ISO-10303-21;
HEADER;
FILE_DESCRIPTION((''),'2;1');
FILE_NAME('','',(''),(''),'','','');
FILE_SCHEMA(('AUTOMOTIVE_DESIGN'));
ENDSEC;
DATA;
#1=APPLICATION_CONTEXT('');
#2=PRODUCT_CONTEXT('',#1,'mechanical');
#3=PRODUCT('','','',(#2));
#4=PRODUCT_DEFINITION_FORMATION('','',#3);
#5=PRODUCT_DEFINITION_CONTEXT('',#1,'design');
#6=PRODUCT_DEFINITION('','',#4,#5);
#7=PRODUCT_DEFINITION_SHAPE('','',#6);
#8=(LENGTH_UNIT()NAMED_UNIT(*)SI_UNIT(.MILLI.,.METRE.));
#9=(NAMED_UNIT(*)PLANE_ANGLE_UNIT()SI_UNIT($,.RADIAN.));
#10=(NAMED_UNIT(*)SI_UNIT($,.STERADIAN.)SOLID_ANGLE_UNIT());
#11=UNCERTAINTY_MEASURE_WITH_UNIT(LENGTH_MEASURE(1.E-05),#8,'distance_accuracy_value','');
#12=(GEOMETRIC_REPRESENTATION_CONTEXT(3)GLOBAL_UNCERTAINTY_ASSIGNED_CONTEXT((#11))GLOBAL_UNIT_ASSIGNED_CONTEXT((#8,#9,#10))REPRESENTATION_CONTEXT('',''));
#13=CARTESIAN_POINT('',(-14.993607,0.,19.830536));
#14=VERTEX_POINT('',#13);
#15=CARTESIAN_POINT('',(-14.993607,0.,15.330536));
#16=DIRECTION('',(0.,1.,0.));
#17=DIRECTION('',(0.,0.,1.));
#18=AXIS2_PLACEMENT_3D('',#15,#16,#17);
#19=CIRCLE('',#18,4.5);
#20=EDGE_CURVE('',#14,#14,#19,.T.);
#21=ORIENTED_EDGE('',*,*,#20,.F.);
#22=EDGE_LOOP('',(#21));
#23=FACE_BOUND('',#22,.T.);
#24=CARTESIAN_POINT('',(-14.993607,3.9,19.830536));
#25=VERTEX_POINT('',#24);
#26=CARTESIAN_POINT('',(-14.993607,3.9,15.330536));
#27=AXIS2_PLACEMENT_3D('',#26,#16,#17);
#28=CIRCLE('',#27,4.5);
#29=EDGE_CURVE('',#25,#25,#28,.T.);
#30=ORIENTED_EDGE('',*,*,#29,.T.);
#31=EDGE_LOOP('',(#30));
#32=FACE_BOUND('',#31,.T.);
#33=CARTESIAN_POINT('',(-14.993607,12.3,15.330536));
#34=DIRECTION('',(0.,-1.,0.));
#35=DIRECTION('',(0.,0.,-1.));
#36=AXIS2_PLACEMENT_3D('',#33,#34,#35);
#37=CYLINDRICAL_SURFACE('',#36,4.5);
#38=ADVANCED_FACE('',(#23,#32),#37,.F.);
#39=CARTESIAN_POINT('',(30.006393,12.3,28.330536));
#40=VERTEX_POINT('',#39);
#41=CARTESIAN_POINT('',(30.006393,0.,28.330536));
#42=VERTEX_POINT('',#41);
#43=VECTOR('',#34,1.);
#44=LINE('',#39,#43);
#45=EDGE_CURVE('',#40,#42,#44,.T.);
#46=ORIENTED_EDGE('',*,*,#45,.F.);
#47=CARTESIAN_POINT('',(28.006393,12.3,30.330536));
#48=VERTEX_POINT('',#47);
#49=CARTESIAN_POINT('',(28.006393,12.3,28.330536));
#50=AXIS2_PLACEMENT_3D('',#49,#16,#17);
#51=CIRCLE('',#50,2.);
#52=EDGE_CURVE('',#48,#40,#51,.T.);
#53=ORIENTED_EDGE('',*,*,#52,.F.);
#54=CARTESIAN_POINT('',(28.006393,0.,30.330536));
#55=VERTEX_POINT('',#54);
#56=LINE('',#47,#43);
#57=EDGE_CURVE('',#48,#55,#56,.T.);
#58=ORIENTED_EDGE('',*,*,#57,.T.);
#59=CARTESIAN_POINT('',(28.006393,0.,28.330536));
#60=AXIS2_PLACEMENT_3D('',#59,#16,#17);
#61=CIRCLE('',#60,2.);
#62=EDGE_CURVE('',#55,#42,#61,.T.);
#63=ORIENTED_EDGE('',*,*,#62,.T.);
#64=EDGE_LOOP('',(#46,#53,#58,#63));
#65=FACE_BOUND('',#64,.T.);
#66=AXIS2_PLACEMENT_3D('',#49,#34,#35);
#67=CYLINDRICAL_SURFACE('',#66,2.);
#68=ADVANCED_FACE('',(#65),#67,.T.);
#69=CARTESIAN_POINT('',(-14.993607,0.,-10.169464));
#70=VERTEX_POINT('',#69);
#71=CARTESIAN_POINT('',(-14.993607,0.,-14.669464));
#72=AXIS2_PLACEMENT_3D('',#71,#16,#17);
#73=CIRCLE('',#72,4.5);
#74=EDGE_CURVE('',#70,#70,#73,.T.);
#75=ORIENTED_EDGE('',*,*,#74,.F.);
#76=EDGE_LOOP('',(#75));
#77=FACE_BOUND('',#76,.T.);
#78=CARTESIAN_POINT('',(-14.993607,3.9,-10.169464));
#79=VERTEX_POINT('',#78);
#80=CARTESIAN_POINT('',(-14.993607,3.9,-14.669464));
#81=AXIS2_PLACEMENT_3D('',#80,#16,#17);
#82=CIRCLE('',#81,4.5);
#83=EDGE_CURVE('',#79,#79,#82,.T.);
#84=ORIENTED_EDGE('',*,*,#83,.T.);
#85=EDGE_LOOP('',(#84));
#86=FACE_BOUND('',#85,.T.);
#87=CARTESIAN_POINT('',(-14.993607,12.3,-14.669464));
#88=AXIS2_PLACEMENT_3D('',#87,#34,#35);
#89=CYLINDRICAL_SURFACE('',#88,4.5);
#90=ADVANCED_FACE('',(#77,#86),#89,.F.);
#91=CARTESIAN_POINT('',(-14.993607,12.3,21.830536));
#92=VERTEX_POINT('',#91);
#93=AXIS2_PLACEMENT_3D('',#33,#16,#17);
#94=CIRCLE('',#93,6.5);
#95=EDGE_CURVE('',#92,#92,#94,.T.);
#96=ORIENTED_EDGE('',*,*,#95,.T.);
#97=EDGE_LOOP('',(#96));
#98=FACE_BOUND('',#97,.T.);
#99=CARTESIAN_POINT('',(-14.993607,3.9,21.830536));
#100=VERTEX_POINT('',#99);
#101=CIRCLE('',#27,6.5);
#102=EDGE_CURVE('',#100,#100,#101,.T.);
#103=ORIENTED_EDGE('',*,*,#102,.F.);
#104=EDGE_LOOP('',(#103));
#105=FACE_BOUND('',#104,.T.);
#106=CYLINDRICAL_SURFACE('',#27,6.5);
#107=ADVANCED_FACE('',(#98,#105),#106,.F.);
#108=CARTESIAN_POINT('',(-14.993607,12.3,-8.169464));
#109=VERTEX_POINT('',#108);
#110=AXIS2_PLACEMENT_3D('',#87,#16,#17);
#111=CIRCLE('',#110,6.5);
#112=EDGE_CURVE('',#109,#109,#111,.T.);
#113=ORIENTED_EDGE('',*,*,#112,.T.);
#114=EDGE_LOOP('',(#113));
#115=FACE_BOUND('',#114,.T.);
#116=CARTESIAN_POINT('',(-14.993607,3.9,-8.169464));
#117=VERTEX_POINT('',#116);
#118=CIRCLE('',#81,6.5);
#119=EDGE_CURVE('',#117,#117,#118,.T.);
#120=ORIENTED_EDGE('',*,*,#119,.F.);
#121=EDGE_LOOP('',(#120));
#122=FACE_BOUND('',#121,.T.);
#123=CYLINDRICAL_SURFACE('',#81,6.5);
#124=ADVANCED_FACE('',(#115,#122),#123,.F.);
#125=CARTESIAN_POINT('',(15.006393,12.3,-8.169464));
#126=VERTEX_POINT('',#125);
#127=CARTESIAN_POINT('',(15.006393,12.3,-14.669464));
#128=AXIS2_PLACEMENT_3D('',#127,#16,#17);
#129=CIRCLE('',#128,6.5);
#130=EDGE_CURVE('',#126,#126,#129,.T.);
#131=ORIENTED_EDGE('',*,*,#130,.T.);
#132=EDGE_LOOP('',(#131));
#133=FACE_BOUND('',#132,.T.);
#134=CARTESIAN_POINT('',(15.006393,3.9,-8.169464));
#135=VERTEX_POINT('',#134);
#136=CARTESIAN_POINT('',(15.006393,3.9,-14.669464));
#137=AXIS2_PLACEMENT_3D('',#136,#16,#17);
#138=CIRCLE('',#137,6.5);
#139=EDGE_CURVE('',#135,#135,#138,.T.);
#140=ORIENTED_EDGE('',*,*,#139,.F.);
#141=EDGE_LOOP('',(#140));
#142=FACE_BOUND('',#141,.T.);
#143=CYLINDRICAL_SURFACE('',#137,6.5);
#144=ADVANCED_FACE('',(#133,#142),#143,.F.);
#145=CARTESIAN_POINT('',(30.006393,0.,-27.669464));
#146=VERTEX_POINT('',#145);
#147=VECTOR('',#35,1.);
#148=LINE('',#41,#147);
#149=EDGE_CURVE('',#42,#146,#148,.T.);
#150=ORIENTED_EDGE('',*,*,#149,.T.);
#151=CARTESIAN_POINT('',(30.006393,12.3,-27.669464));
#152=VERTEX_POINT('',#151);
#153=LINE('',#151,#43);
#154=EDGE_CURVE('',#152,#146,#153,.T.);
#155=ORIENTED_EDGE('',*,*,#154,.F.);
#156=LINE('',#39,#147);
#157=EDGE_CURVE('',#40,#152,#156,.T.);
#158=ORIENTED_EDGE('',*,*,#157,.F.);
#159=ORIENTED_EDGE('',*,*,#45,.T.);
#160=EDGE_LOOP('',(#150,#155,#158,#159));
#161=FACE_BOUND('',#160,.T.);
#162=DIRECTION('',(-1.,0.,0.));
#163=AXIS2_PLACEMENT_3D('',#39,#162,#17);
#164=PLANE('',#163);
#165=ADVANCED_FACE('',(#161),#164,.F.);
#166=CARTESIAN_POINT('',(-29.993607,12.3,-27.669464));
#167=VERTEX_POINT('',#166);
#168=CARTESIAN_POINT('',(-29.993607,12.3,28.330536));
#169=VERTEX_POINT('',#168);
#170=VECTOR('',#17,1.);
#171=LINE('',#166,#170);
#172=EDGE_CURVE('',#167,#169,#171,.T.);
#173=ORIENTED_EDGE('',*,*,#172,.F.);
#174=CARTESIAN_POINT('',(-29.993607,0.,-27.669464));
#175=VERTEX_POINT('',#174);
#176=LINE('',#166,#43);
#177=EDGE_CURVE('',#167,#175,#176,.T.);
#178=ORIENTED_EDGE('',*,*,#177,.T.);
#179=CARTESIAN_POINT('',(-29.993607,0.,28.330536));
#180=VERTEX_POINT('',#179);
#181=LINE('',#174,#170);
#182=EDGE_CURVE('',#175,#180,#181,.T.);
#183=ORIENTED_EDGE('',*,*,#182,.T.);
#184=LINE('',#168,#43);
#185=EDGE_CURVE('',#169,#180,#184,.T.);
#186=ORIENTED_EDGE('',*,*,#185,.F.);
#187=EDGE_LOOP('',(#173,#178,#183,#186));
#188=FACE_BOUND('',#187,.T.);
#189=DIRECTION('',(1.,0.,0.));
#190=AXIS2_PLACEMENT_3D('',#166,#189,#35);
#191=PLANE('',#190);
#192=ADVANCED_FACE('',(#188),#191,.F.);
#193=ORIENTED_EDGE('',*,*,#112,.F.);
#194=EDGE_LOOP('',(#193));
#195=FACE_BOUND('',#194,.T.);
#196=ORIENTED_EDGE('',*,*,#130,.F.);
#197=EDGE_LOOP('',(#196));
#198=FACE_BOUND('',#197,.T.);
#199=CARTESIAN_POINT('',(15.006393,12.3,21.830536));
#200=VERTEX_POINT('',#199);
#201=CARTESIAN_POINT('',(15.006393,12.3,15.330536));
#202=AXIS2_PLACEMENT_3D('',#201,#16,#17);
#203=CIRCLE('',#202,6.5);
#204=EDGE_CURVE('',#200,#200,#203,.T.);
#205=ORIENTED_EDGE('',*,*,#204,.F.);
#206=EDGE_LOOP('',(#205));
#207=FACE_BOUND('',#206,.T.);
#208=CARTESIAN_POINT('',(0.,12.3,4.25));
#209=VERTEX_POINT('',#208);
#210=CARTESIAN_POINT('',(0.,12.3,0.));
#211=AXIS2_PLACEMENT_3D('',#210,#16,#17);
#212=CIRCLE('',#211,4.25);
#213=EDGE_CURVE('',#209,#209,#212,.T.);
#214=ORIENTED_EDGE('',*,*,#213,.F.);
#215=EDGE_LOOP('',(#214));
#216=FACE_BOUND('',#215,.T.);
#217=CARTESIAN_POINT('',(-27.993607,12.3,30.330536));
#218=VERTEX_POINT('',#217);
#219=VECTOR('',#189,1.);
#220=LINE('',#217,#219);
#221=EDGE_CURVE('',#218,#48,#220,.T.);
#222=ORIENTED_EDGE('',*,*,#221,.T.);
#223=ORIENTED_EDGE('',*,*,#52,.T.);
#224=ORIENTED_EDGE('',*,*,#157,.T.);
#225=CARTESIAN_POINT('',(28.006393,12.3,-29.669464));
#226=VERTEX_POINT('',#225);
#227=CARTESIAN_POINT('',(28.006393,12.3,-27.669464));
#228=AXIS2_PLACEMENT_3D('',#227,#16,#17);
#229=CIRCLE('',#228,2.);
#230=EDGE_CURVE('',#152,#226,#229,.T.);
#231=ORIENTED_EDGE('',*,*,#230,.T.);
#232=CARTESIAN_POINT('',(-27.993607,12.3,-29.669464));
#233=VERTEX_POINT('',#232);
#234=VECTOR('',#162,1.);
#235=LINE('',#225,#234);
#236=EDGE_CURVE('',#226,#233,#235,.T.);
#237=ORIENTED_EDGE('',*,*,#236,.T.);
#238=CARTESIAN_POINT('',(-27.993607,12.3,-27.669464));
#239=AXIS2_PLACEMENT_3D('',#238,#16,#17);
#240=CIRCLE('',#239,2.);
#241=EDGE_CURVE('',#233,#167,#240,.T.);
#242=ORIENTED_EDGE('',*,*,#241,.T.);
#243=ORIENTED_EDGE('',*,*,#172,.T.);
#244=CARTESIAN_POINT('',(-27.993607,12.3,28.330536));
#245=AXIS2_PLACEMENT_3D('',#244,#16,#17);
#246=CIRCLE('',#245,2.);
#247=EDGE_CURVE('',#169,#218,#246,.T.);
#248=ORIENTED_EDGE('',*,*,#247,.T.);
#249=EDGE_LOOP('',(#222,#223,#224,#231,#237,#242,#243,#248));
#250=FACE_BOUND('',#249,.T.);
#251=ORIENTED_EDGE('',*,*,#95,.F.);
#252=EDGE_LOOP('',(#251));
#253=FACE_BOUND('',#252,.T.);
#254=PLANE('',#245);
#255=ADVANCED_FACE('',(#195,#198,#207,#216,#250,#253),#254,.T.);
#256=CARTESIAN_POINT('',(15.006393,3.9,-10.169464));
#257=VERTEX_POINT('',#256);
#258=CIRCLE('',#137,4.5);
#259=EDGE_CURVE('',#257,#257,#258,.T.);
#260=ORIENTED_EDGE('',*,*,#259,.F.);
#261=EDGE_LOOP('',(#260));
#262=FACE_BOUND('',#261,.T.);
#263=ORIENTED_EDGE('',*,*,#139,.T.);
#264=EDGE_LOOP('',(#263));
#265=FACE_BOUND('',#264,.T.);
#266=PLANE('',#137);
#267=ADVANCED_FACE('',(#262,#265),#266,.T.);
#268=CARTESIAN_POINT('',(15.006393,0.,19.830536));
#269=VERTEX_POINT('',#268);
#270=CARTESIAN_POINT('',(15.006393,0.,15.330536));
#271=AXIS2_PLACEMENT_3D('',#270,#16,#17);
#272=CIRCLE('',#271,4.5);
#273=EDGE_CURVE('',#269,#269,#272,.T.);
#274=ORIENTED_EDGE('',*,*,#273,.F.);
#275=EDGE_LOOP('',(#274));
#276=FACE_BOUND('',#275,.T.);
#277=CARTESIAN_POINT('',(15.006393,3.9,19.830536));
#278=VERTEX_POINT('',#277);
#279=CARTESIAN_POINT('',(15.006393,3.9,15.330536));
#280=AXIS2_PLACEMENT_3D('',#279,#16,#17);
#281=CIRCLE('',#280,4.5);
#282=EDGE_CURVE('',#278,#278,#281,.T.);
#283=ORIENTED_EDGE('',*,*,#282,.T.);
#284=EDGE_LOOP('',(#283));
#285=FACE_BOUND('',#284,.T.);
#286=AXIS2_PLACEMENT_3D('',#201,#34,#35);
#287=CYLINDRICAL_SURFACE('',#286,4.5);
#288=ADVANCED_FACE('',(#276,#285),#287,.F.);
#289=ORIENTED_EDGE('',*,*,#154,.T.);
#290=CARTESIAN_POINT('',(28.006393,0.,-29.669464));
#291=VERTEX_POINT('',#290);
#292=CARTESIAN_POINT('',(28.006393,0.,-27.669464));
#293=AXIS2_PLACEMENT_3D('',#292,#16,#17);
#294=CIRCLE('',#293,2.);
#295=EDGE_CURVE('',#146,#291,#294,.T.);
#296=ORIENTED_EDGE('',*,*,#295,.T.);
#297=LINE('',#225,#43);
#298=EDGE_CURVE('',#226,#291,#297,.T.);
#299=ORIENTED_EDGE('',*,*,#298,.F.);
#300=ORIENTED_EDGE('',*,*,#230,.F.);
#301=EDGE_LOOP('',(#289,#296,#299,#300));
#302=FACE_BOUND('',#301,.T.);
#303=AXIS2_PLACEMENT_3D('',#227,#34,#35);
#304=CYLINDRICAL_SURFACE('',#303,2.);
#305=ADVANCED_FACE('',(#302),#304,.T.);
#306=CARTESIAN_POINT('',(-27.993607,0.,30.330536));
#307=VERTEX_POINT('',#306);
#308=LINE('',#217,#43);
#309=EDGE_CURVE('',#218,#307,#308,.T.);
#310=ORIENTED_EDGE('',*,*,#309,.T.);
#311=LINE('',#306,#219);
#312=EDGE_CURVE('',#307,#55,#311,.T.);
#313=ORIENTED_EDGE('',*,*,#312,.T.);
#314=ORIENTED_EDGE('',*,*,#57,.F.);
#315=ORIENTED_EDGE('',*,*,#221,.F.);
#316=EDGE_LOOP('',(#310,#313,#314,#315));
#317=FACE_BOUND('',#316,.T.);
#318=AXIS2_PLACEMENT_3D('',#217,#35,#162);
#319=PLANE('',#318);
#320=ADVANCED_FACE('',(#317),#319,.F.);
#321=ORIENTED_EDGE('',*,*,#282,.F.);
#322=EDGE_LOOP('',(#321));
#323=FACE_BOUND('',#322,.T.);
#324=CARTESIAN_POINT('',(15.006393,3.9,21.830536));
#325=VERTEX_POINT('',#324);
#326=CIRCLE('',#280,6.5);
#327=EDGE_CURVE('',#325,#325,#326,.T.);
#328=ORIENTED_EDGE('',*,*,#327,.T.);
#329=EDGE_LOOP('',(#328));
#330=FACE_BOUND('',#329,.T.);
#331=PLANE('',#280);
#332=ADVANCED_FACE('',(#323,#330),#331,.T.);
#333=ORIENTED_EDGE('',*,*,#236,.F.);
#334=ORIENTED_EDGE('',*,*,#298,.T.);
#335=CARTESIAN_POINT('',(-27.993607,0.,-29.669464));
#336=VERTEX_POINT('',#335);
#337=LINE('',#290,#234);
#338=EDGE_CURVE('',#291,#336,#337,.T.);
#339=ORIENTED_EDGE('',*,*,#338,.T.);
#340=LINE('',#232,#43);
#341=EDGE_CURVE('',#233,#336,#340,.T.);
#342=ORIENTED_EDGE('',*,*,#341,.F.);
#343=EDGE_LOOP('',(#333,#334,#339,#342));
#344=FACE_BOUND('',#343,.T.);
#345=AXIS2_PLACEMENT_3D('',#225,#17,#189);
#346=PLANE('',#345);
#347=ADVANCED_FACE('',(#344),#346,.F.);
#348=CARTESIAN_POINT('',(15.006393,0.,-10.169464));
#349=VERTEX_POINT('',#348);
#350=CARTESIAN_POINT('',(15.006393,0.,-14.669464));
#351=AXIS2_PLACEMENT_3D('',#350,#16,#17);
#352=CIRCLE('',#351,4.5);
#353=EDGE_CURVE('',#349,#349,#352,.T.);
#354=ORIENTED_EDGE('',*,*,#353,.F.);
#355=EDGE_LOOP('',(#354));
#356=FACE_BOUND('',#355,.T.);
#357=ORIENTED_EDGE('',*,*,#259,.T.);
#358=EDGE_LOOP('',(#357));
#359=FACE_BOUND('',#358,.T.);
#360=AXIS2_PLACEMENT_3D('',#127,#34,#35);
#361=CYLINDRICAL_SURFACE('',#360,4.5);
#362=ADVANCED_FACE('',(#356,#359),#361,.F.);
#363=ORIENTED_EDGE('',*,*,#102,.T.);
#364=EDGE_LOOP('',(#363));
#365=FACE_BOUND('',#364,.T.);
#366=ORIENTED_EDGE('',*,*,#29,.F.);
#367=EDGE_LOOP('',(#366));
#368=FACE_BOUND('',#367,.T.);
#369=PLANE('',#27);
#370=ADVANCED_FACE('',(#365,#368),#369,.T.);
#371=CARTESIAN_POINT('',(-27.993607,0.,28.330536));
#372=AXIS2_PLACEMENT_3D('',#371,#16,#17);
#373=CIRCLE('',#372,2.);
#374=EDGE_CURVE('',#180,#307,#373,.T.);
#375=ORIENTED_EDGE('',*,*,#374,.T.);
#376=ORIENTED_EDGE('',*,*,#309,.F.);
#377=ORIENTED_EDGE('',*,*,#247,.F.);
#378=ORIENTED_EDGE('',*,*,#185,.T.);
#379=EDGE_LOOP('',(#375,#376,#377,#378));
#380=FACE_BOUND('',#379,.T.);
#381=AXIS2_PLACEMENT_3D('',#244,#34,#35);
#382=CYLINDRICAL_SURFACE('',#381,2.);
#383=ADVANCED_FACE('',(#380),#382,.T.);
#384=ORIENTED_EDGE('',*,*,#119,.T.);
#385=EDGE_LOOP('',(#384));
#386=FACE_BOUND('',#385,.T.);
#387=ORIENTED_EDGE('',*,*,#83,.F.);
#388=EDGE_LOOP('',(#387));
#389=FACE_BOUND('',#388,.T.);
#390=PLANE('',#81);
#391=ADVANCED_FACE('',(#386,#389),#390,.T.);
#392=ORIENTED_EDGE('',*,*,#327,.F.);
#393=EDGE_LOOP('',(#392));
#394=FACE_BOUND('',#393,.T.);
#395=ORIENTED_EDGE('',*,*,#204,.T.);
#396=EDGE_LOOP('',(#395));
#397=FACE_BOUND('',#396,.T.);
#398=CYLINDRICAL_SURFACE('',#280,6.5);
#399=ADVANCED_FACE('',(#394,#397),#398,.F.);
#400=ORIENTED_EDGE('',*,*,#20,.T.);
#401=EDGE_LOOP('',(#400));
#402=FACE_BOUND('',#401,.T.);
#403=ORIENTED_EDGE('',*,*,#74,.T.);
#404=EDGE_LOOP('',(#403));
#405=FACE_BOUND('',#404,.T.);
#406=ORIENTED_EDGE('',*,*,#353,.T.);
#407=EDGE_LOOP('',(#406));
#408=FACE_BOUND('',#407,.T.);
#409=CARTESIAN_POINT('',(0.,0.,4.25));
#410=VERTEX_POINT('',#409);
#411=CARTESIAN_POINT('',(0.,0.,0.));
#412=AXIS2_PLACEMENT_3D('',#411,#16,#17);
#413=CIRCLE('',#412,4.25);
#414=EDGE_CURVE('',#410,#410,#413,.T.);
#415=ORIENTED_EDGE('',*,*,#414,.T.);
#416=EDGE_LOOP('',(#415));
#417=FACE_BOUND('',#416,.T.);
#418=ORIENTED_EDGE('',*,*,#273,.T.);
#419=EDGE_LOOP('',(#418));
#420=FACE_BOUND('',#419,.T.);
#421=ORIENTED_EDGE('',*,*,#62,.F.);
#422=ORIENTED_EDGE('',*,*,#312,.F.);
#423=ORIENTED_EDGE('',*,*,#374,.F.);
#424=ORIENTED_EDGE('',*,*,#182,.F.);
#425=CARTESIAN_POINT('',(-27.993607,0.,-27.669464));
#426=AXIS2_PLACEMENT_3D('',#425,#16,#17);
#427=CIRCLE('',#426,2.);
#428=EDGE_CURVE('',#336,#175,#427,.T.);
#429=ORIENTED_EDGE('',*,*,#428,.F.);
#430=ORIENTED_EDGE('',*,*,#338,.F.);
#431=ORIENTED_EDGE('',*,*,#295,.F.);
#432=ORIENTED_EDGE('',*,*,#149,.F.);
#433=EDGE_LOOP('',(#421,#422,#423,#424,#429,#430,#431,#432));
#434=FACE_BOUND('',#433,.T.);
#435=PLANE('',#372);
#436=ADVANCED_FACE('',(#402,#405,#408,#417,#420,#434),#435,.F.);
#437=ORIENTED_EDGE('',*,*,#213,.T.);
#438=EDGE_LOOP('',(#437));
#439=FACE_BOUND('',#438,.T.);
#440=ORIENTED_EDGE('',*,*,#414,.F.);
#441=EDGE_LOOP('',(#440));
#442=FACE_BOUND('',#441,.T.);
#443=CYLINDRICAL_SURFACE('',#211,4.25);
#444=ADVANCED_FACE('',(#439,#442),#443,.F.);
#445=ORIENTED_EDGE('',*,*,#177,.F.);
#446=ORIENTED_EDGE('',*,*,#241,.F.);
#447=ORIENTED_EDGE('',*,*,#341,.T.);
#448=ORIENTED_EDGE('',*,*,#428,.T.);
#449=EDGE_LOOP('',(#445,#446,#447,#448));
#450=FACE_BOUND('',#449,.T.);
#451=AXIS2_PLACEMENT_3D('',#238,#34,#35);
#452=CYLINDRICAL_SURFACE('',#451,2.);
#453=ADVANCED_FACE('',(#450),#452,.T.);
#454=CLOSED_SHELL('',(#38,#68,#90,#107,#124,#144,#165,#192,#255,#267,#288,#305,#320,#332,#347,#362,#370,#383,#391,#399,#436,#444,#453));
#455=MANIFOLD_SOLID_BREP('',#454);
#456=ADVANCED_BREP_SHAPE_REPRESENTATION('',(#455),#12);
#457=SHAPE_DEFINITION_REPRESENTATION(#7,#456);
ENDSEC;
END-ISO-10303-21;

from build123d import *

# Parameters (mm, degrees)
SKETCH_1_R              = 4.5
EXTRUDE_1_DEPTH         = 12.3
HOLE_WIZARD_M10_1_D     = 8.5
HOLE_WIZARD_M10_1_DEPTH = 24.5
HOLE_WIZARD_M10_1_TIP   = 2.553657631
SKETCH_5_R              = 6.5
CUT_EXTRUDE_1_DEPTH     = 8.4


with BuildPart() as part:
    # 草图1 → 凸台-拉伸1 (new body)
    with BuildSketch(Plane(origin=(0, 0, 0), x_dir=(1, 0, 0), z_dir=(0, 1, 0))):
        with BuildLine():
            Line((-27.993607343, -30.330536434), (28.006392657, -30.330536434))
            ThreePointArc((28.006392657, -30.330536434), (29.42060622, -29.744749996), (30.006392657, -28.330536434))
            Line((30.006392657, -28.330536434), (30.006392657, 27.669463566))
            ThreePointArc((30.006392657, 27.669463566), (29.42060622, 29.083677128), (28.006392657, 29.669463566))
            Line((28.006392657, 29.669463566), (-27.993607343, 29.669463566))
            ThreePointArc((-27.993607343, 29.669463566), (-29.407820905, 29.083677128), (-29.993607343, 27.669463566))
            Line((-29.993607343, 27.669463566), (-29.993607343, -28.330536434))
            ThreePointArc((-29.993607343, -28.330536434), (-29.407820905, -29.744749996), (-27.993607343, -30.330536434))
        make_face()
        with Locations(Location((15.006392657, -15.330536434, 0), (0, 0, 270))):
            Circle(SKETCH_1_R, mode=Mode.SUBTRACT)
        with Locations(Location((15.006392657, 14.669463566, 0), (0, 0, 270))):
            Circle(SKETCH_1_R, mode=Mode.SUBTRACT)
        with Locations(Location((-14.993607343, 14.669463566, 0), (0, 0, 270))):
            Circle(SKETCH_1_R, mode=Mode.SUBTRACT)
        with Locations(Location((-14.993607343, -15.330536434, 0), (0, 0, 270))):
            Circle(SKETCH_1_R, mode=Mode.SUBTRACT)
    extrude(amount=EXTRUDE_1_DEPTH)

    # M10 螺纹孔1
    with Locations(Plane.ZX.offset(12.3)):
        with Locations((0, 0)):
            Hole(HOLE_WIZARD_M10_1_D / 2, depth=HOLE_WIZARD_M10_1_DEPTH)
            with Locations((0, 0, -(HOLE_WIZARD_M10_1_DEPTH + HOLE_WIZARD_M10_1_TIP / 2))):  # 118° drill point
                Cone(0, HOLE_WIZARD_M10_1_D / 2, HOLE_WIZARD_M10_1_TIP, mode=Mode.SUBTRACT)

    # 草图5 → 切除-拉伸1 (cut)
    with BuildSketch(Plane(origin=(0, 12.3, 0), x_dir=(1, 0, 0), z_dir=(0, 1, 0))):
        with Locations(Location((-14.993607343, 14.669463566, 0), (0, 0, 270))):
            Circle(SKETCH_5_R)
        with Locations(Location((15.006392657, 14.669463566, 0), (0, 0, 270))):
            Circle(SKETCH_5_R)
        with Locations(Location((15.006392657, -15.330536434, 0), (0, 0, 270))):
            Circle(SKETCH_5_R)
        with Locations(Location((-14.993607343, -15.330536434, 0), (0, 0, 270))):
            Circle(SKETCH_5_R)
    extrude(amount=-CUT_EXTRUDE_1_DEPTH, mode=Mode.SUBTRACT)


solid = part.part
